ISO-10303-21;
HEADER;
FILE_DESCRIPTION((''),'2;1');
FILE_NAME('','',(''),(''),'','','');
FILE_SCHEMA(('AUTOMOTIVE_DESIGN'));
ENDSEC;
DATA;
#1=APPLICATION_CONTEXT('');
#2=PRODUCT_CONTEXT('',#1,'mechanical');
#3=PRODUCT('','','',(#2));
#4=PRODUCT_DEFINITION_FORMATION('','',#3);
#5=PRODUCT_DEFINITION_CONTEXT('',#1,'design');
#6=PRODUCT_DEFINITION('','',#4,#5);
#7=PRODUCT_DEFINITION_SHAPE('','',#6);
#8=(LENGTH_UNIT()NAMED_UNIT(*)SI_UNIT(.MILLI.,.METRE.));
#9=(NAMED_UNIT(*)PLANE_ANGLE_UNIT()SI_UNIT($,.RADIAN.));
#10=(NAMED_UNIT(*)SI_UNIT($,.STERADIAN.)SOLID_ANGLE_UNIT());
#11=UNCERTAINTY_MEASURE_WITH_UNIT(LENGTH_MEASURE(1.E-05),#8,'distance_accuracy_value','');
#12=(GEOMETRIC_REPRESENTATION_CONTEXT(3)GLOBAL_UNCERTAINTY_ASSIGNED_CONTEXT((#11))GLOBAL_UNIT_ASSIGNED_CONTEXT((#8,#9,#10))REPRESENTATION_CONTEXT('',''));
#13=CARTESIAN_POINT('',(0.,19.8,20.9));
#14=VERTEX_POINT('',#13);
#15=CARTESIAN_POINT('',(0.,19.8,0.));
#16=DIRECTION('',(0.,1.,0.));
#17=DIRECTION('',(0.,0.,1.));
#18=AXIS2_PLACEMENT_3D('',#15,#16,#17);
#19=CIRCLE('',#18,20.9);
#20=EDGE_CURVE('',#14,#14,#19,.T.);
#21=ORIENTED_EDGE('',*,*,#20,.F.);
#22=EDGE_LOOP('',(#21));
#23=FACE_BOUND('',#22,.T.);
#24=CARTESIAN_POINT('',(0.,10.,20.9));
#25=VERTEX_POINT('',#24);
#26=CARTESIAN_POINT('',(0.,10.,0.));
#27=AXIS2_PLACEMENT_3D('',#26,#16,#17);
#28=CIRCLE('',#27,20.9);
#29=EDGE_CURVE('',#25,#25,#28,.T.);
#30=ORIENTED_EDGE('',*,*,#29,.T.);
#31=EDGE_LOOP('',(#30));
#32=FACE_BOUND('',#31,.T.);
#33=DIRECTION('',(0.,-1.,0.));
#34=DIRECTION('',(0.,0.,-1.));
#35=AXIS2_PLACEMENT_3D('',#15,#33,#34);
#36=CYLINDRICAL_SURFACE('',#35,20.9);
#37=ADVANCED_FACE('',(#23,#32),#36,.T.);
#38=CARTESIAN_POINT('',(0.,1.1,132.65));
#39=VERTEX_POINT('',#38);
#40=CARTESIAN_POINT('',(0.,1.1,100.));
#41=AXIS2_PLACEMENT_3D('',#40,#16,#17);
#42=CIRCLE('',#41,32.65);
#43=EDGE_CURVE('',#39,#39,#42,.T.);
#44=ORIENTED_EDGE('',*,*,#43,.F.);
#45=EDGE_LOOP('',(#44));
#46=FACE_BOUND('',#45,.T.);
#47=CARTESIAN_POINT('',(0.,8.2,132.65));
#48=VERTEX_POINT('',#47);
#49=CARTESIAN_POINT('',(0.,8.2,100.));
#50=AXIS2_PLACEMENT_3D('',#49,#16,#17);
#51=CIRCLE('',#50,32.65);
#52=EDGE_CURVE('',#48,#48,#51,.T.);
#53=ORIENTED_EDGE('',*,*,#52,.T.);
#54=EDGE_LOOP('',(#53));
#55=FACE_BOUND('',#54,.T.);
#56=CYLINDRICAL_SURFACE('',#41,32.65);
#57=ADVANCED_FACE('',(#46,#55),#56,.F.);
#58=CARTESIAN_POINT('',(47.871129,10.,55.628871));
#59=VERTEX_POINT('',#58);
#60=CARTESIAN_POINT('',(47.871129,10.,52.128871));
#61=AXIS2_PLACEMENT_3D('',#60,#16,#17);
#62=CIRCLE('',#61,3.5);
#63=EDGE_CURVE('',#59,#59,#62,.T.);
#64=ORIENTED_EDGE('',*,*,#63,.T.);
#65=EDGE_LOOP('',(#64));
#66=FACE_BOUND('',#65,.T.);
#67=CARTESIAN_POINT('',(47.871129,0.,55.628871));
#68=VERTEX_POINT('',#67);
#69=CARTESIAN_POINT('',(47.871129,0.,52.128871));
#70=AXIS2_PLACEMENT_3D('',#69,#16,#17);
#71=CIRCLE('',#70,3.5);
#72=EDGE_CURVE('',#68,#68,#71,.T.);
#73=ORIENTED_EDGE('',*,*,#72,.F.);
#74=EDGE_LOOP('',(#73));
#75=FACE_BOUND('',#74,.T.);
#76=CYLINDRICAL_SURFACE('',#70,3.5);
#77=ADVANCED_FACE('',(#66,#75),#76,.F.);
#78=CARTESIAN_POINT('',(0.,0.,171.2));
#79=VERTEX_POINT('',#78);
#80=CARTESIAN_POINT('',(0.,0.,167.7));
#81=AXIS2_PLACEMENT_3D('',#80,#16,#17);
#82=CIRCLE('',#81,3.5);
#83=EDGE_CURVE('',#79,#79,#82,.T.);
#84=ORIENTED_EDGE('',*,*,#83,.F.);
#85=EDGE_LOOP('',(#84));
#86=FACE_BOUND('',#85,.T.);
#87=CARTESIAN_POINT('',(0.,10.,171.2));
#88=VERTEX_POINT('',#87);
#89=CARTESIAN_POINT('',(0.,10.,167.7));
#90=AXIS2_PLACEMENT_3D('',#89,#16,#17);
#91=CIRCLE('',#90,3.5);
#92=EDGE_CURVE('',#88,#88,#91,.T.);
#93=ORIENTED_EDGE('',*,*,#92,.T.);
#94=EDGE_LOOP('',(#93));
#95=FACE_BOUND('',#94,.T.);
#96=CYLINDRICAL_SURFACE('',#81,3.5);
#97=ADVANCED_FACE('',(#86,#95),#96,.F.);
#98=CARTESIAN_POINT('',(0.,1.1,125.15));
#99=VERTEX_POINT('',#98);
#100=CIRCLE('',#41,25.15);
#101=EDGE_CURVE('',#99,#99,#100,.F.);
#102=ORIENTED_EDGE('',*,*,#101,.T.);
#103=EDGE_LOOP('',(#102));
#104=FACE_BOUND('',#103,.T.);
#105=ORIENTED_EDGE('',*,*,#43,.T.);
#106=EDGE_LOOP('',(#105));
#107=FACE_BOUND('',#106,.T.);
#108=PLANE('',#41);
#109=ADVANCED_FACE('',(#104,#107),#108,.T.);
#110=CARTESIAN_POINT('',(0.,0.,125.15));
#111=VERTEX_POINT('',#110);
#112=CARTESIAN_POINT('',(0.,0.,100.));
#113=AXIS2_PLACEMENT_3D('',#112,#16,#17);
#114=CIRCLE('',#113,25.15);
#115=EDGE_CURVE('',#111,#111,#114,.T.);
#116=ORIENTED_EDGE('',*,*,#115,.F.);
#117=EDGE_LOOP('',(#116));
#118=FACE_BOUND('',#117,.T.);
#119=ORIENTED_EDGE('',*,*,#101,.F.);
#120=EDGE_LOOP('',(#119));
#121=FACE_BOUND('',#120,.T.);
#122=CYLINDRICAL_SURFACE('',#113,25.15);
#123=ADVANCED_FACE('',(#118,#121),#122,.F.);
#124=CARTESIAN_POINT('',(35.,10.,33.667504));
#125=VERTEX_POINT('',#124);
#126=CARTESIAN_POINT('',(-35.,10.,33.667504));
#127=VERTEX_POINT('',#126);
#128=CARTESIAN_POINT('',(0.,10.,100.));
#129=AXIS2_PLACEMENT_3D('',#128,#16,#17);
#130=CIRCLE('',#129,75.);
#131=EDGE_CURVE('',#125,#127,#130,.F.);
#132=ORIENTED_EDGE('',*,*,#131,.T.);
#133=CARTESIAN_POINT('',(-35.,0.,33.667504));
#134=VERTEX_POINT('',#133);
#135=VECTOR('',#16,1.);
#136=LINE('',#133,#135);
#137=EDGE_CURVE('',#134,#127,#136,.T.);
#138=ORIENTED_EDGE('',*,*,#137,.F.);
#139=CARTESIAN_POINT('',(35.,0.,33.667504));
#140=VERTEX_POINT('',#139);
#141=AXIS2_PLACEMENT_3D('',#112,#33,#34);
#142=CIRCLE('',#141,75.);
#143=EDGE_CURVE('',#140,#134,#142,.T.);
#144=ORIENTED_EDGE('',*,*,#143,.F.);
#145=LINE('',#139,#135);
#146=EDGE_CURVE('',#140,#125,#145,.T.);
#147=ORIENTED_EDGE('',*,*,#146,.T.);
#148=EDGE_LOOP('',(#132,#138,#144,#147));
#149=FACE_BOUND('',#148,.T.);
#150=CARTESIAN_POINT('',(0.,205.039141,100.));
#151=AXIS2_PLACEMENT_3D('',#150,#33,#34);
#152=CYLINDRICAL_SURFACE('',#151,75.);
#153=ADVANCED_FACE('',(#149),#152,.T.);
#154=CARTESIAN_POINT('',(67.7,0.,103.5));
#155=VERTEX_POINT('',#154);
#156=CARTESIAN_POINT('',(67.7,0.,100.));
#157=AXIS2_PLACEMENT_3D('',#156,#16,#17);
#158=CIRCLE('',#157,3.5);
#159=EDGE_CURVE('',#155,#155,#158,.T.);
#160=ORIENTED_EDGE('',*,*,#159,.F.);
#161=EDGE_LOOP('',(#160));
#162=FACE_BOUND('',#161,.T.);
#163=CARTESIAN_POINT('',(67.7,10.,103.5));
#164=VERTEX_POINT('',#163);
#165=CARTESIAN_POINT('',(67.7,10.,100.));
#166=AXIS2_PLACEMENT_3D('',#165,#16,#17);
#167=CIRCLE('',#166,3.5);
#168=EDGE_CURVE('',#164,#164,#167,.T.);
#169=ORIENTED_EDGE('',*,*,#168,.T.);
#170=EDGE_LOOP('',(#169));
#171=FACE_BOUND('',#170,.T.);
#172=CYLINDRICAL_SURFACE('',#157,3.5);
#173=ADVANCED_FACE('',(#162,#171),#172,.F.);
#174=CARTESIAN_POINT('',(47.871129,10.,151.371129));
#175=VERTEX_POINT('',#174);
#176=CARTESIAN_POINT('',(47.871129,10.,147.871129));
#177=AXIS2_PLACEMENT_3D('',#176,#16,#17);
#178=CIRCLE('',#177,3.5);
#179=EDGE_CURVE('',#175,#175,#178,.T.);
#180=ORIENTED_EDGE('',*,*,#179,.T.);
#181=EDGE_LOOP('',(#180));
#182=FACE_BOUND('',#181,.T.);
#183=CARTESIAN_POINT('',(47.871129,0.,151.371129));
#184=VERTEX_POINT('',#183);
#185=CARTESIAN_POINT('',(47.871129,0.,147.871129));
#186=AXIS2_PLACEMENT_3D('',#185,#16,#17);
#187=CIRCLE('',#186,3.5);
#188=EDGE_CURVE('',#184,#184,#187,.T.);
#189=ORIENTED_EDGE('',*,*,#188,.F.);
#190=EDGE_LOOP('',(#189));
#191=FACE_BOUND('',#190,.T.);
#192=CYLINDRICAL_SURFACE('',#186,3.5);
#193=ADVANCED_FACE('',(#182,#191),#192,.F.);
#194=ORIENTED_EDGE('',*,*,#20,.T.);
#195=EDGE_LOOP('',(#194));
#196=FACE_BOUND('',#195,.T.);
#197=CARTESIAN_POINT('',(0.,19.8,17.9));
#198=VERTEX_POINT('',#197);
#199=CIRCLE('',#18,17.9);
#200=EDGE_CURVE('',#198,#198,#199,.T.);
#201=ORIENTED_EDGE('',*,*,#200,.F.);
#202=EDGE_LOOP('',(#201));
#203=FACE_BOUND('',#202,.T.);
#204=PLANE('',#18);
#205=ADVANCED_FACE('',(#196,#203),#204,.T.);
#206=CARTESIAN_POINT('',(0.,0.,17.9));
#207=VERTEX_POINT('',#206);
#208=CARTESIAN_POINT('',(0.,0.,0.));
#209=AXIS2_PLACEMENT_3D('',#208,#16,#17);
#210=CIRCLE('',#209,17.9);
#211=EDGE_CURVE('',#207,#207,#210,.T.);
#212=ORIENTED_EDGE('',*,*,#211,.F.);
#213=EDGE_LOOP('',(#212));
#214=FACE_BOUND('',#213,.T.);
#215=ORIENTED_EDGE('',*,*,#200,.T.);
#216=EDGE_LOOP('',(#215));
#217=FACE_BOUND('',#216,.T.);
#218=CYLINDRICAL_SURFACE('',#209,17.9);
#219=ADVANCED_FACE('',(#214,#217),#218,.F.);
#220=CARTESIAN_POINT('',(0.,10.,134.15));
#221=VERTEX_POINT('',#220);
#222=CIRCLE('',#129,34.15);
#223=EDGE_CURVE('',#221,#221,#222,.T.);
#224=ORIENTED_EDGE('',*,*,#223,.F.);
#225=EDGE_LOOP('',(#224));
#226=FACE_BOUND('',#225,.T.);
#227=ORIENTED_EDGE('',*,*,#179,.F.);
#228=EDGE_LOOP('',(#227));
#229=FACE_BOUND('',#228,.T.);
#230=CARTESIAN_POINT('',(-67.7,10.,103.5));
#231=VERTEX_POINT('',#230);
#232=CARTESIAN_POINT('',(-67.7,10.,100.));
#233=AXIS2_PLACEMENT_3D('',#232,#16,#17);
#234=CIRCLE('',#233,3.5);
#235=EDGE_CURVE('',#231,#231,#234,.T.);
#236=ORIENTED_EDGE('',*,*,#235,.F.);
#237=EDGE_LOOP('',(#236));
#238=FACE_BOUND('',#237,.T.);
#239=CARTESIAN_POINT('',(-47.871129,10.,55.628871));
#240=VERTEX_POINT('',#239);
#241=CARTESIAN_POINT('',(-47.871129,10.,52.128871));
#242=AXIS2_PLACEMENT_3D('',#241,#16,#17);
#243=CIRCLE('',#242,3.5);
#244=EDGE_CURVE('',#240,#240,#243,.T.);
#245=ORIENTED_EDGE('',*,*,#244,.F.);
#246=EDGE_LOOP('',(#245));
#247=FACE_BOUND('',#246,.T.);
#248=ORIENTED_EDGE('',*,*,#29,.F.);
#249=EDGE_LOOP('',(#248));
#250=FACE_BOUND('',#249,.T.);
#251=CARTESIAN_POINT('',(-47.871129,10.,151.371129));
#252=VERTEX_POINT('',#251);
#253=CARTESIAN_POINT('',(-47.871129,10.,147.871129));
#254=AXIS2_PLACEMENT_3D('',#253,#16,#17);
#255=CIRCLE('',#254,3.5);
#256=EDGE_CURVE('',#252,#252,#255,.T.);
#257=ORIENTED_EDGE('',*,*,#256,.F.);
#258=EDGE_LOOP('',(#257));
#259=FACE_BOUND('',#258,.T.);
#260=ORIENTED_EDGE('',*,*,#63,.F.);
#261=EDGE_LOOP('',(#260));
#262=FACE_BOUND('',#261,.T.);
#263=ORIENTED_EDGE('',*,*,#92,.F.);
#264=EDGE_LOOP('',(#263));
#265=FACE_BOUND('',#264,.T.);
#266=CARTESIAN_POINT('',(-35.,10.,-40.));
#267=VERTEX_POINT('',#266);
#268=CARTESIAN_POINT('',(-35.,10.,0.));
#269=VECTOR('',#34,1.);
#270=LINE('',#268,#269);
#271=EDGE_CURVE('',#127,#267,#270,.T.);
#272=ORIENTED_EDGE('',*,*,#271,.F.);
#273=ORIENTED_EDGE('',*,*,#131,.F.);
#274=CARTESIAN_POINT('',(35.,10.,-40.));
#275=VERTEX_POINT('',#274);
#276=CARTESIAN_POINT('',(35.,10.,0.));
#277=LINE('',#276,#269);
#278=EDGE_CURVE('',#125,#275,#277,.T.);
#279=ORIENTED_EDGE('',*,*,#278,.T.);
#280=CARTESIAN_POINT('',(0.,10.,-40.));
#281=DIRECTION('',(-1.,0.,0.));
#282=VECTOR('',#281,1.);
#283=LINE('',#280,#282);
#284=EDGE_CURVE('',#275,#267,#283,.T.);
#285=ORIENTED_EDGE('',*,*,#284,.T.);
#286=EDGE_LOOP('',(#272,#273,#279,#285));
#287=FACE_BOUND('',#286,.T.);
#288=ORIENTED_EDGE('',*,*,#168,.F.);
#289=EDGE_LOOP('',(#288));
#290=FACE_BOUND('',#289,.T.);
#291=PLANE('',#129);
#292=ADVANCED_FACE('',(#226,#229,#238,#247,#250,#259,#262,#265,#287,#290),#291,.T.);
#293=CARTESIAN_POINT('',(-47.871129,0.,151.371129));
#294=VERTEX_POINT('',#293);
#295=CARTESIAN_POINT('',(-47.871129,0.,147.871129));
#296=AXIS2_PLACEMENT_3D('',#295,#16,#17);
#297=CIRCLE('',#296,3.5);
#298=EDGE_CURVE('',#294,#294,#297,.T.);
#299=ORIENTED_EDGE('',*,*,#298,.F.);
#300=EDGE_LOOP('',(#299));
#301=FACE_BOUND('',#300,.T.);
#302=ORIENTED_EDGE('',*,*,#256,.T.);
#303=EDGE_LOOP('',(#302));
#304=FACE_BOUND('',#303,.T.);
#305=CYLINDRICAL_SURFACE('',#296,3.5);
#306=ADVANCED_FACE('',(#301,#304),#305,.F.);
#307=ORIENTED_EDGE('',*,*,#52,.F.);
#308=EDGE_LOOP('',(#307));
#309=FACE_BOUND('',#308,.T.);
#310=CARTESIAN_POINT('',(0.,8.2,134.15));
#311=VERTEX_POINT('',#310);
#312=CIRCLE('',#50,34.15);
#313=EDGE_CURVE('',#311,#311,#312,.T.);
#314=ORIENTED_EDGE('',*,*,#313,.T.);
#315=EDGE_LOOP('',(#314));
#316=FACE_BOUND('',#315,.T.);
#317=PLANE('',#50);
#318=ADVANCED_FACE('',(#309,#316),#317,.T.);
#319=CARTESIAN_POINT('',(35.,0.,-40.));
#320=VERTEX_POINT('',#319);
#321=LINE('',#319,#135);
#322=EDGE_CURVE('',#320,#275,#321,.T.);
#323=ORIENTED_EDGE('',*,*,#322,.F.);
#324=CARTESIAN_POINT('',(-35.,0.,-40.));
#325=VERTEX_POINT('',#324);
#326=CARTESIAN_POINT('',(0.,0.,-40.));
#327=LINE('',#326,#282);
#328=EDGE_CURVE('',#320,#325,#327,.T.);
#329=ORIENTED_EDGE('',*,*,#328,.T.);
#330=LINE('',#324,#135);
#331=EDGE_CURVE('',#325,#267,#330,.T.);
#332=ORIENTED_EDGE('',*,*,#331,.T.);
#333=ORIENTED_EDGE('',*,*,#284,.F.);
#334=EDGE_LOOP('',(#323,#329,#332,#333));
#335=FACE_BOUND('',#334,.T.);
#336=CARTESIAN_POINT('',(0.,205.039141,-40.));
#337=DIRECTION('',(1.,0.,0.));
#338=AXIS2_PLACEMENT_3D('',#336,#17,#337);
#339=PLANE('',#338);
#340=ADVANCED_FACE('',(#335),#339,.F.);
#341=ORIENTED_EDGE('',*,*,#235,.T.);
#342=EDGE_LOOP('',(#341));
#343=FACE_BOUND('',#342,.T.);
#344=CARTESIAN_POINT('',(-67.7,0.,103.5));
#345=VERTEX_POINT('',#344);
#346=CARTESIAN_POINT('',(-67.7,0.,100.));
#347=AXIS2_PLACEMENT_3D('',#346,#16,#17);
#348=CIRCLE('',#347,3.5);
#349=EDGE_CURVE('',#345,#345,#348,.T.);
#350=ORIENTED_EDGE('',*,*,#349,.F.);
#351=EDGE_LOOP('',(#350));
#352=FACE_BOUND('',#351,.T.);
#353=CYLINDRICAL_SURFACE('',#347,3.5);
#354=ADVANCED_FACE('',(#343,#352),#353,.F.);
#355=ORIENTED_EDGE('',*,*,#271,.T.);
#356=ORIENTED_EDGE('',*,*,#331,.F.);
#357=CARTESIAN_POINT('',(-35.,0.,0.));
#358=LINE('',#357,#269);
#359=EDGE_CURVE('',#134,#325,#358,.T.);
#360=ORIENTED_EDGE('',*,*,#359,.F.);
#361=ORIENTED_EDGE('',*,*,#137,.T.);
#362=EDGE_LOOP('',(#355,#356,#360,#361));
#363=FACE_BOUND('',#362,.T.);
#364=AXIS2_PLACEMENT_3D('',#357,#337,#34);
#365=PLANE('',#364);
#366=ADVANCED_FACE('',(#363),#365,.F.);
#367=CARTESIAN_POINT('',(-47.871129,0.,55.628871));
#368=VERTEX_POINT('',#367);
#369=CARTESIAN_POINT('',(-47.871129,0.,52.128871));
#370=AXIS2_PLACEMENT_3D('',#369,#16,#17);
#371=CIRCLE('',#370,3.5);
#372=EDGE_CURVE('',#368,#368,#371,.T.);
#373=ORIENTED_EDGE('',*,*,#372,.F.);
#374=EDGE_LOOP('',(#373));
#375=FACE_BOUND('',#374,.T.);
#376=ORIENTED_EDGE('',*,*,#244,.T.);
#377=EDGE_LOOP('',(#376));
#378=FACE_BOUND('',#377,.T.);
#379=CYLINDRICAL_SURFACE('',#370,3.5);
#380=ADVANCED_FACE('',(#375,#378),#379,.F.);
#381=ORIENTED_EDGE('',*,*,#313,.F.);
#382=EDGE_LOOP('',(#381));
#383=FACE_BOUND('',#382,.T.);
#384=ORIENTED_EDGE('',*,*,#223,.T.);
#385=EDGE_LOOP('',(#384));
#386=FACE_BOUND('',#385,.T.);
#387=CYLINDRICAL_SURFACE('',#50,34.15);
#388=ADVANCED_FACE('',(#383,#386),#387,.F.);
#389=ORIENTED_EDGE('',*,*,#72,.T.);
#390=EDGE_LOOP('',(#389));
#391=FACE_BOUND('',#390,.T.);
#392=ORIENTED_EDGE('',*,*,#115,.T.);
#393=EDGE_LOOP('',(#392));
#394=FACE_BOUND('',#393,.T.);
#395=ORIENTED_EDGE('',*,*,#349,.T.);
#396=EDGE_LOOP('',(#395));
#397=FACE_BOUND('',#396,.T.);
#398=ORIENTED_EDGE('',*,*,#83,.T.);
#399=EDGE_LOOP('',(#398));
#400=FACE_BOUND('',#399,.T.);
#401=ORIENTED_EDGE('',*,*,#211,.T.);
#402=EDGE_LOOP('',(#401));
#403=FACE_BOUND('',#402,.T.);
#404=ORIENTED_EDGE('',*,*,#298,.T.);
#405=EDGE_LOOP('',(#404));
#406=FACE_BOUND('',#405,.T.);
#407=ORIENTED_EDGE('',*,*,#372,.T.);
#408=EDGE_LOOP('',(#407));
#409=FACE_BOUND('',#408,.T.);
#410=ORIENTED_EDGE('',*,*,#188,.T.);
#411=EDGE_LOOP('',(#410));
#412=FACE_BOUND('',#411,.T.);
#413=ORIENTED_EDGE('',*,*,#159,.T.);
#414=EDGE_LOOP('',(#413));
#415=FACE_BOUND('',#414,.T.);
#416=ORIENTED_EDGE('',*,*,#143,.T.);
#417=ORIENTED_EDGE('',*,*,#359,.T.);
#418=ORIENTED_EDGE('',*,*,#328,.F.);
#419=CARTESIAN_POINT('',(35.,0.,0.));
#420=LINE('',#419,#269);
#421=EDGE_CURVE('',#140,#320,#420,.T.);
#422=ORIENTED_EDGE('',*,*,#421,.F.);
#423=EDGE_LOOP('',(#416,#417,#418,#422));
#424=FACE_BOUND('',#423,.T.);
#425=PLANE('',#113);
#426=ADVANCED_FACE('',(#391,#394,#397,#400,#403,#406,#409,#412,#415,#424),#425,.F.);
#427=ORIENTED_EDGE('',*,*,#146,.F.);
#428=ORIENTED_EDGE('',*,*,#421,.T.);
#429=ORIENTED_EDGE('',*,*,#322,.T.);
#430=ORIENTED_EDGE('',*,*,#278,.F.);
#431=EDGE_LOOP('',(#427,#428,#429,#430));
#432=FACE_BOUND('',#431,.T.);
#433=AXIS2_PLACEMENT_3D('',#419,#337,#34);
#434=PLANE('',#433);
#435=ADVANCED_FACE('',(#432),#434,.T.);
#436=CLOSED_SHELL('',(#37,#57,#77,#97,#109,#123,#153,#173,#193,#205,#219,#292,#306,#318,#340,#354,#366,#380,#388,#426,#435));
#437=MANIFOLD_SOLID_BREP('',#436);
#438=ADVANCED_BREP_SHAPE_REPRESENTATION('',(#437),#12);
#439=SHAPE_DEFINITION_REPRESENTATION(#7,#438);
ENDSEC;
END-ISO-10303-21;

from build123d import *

# Parameters (mm, degrees)
EXTRUDE_1_DEPTH     = 10
SKETCH_2_R          = 17.9
SKETCH_2_R_2        = 25.15
CUT_EXTRUDE_1_DEPTH = 178.623196683
SKETCH_4_R          = 34.15
CUT_EXTRUDE_2_DEPTH = 1.8
SKETCH_5_R          = 32.65
CUT_EXTRUDE_3_DEPTH = 7.1
EXTRUDE_START       = 9.8
SKETCH_6_R          = 20.9
SKETCH_6_R_2        = 17.9
EXTRUDE_2_DEPTH     = 9.8
EXTRUDE_START_2     = -10
EXTRUDE_3_DEPTH     = 10
CUT_EXTRUDE_4_DEPTH = 192.421106464
SKETCH_11_R         = 3.5
CUT_EXTRUDE_5_DEPTH = 191.656759649
CUT_EXTRUDE_6_DEPTH = 191.656759649


with BuildPart() as part:
    # 草图1 → 凸台-拉伸1 (new body)
    with BuildSketch(Plane(origin=(0, 0, 0), x_dir=(1, 0, 0), z_dir=(0, 1, 0))):
        with BuildLine():
            Line((63.686733312, -87), (44.09081537, 9))
            ThreePointArc((44.09081537, 9), (0, 45), (-44.09081537, 9))
            Line((-44.09081537, 9), (-63.686733312, -87))
            ThreePointArc((-63.686733312, -87), (0, -165), (63.686733312, -87))
        make_face()
    extrude(amount=EXTRUDE_1_DEPTH)

    # 草图2 → 切除-拉伸1 (cut, through all)
    with BuildSketch(Plane(origin=(0, 10, 0), x_dir=(1, 0, 0), z_dir=(0, 1, 0))):
        with Locations(Location((0, 0, 0), (0, 0, 270))):
            Circle(SKETCH_2_R)
        with Locations(Location((0, -100, 0), (0, 0, 270))):
            Circle(SKETCH_2_R_2)
    extrude(amount=-CUT_EXTRUDE_1_DEPTH, mode=Mode.SUBTRACT)

    # 草图4 → 切除-拉伸2 (cut)
    with BuildSketch(Plane(origin=(0, 10, 0), x_dir=(1, 0, 0), z_dir=(0, 1, 0))):
        with Locations(Location((0, -100, 0), (0, 0, 270))):
            Circle(SKETCH_4_R)
    extrude(amount=-CUT_EXTRUDE_2_DEPTH, mode=Mode.SUBTRACT)

    # 草图5 → 切除-拉伸3 (cut)
    with BuildSketch(Plane(origin=(0, 8.2, 0), x_dir=(1, 0, 0), z_dir=(0, 1, 0))):
        with Locations(Location((0, -100, 0), (0, 0, 270))):
            Circle(SKETCH_5_R)
    extrude(amount=-CUT_EXTRUDE_3_DEPTH, mode=Mode.SUBTRACT)

    # 草图6 → 凸台-拉伸2 (add)
    with BuildSketch(Plane(origin=(0, 10, 0), x_dir=(1, 0, 0), z_dir=(0, 1, 0)).offset(EXTRUDE_START)):
        with Locations(Location((0, 0, 0), (0, 0, 270))):
            Circle(SKETCH_6_R)
        with Locations(Location((0, 0, 0), (0, 0, 270))):
            Circle(SKETCH_6_R_2, mode=Mode.SUBTRACT)
    extrude(amount=-EXTRUDE_2_DEPTH)

    # 草图7 → 凸台-拉伸3 (add)
    with BuildSketch(Plane.XZ.offset(EXTRUDE_START_2)):
        with BuildLine():
            Line((-44.09081537, -9), (-45, -4.54592315))
            Line((-45, -4.54592315), (-45, -40))
            Line((-45, -40), (-20.615528128, -40))
            ThreePointArc((-20.615528128, -40), (-35.874471734, -27.166565439), (-44.09081537, -9))
        make_face()
        with BuildLine():
            ThreePointArc((56.203418539, 50.33939444), (0, 175), (-56.203418539, 50.33939444))
            Line((-56.203418539, 50.33939444), (-63.686733312, 87))
            ThreePointArc((-63.686733312, 87), (0, 165), (63.686733312, 87))
            Line((63.686733312, 87), (56.203418539, 50.33939444))
        make_face()
        with BuildLine():
            Line((45, -40), (45, -4.54592315))
            Line((45, -4.54592315), (44.09081537, -9))
            ThreePointArc((44.09081537, -9), (35.874471734, -27.166565439), (20.615528128, -40))
            Line((20.615528128, -40), (45, -40))
        make_face()
    extrude(amount=EXTRUDE_3_DEPTH)

    # 草图8 → 切除-拉伸4 (cut, through all)
    with BuildSketch(Plane.XZ):
        with BuildLine():
            Line((-45, -4.54592315), (-45, 40))
            ThreePointArc((-45, 40), (-50.865103463, 44.884292169), (-56.203418539, 50.33939444))
            Line((-56.203418539, 50.33939444), (-45, -4.54592315))
        make_face()
        with BuildLine():
            ThreePointArc((56.203418539, 50.33939444), (50.865103463, 44.884292169), (45, 40))
            Line((45, 40), (45, -4.54592315))
            Line((45, -4.54592315), (56.203418539, 50.33939444))
        make_face()
        with BuildLine():
            Line((20.615528128, -40), (-20.615528128, -40))
            ThreePointArc((-20.615528128, -40), (0, -45), (20.615528128, -40))
        make_face()
    extrude(amount=-CUT_EXTRUDE_4_DEPTH, mode=Mode.SUBTRACT)

    # 草图11 → 切除-拉伸5 (cut, through all)
    with BuildSketch(Plane(origin=(0, 10, 0), x_dir=(1, 0, 0), z_dir=(0, 1, 0))):
        with Locations(Location((0, -167.7, 0), (0, 0, 270))):
            Circle(SKETCH_11_R)
        with Locations(Location((47.871129086, -147.871129086, 0), (0, 0, 270))):
            Circle(SKETCH_11_R)
        with Locations(Location((-47.871129086, -147.871129086, 0), (0, 0, 270))):
            Circle(SKETCH_11_R)
        with Locations(Location((-67.7, -100, 0), (0, 0, 270))):
            Circle(SKETCH_11_R)
        with Locations(Location((-47.871129086, -52.128870914, 0), (0, 0, 270))):
            Circle(SKETCH_11_R)
        with Locations(Location((67.7, -100, 0), (0, 0, 270))):
            Circle(SKETCH_11_R)
        with Locations(Location((47.871129086, -52.128870914, 0), (0, 0, 270))):
            Circle(SKETCH_11_R)
    extrude(amount=-CUT_EXTRUDE_5_DEPTH, mode=Mode.SUBTRACT)

    # 草图12 → 切除-拉伸6 (cut, through all)
    with BuildSketch(Plane(origin=(0, 10, 0), x_dir=(1, 0, 0), z_dir=(0, 1, 0))):
        with BuildLine():
            ThreePointArc((-45, -40), (-40.12511839, -36.636170616), (-35, -33.667504193))
            Line((-35, -33.667504193), (-35, 40))
            Line((-35, 40), (-45, 40))
            Line((-45, 40), (-45, -40))
        make_face()
        with BuildLine():
            Line((35, 40), (35, -33.667504193))
            ThreePointArc((35, -33.667504193), (40.12511839, -36.636170616), (45, -40))
            Line((45, -40), (45, 40))
            Line((45, 40), (35, 40))
        make_face()
    extrude(amount=-CUT_EXTRUDE_6_DEPTH, mode=Mode.SUBTRACT)


solid = part.part
